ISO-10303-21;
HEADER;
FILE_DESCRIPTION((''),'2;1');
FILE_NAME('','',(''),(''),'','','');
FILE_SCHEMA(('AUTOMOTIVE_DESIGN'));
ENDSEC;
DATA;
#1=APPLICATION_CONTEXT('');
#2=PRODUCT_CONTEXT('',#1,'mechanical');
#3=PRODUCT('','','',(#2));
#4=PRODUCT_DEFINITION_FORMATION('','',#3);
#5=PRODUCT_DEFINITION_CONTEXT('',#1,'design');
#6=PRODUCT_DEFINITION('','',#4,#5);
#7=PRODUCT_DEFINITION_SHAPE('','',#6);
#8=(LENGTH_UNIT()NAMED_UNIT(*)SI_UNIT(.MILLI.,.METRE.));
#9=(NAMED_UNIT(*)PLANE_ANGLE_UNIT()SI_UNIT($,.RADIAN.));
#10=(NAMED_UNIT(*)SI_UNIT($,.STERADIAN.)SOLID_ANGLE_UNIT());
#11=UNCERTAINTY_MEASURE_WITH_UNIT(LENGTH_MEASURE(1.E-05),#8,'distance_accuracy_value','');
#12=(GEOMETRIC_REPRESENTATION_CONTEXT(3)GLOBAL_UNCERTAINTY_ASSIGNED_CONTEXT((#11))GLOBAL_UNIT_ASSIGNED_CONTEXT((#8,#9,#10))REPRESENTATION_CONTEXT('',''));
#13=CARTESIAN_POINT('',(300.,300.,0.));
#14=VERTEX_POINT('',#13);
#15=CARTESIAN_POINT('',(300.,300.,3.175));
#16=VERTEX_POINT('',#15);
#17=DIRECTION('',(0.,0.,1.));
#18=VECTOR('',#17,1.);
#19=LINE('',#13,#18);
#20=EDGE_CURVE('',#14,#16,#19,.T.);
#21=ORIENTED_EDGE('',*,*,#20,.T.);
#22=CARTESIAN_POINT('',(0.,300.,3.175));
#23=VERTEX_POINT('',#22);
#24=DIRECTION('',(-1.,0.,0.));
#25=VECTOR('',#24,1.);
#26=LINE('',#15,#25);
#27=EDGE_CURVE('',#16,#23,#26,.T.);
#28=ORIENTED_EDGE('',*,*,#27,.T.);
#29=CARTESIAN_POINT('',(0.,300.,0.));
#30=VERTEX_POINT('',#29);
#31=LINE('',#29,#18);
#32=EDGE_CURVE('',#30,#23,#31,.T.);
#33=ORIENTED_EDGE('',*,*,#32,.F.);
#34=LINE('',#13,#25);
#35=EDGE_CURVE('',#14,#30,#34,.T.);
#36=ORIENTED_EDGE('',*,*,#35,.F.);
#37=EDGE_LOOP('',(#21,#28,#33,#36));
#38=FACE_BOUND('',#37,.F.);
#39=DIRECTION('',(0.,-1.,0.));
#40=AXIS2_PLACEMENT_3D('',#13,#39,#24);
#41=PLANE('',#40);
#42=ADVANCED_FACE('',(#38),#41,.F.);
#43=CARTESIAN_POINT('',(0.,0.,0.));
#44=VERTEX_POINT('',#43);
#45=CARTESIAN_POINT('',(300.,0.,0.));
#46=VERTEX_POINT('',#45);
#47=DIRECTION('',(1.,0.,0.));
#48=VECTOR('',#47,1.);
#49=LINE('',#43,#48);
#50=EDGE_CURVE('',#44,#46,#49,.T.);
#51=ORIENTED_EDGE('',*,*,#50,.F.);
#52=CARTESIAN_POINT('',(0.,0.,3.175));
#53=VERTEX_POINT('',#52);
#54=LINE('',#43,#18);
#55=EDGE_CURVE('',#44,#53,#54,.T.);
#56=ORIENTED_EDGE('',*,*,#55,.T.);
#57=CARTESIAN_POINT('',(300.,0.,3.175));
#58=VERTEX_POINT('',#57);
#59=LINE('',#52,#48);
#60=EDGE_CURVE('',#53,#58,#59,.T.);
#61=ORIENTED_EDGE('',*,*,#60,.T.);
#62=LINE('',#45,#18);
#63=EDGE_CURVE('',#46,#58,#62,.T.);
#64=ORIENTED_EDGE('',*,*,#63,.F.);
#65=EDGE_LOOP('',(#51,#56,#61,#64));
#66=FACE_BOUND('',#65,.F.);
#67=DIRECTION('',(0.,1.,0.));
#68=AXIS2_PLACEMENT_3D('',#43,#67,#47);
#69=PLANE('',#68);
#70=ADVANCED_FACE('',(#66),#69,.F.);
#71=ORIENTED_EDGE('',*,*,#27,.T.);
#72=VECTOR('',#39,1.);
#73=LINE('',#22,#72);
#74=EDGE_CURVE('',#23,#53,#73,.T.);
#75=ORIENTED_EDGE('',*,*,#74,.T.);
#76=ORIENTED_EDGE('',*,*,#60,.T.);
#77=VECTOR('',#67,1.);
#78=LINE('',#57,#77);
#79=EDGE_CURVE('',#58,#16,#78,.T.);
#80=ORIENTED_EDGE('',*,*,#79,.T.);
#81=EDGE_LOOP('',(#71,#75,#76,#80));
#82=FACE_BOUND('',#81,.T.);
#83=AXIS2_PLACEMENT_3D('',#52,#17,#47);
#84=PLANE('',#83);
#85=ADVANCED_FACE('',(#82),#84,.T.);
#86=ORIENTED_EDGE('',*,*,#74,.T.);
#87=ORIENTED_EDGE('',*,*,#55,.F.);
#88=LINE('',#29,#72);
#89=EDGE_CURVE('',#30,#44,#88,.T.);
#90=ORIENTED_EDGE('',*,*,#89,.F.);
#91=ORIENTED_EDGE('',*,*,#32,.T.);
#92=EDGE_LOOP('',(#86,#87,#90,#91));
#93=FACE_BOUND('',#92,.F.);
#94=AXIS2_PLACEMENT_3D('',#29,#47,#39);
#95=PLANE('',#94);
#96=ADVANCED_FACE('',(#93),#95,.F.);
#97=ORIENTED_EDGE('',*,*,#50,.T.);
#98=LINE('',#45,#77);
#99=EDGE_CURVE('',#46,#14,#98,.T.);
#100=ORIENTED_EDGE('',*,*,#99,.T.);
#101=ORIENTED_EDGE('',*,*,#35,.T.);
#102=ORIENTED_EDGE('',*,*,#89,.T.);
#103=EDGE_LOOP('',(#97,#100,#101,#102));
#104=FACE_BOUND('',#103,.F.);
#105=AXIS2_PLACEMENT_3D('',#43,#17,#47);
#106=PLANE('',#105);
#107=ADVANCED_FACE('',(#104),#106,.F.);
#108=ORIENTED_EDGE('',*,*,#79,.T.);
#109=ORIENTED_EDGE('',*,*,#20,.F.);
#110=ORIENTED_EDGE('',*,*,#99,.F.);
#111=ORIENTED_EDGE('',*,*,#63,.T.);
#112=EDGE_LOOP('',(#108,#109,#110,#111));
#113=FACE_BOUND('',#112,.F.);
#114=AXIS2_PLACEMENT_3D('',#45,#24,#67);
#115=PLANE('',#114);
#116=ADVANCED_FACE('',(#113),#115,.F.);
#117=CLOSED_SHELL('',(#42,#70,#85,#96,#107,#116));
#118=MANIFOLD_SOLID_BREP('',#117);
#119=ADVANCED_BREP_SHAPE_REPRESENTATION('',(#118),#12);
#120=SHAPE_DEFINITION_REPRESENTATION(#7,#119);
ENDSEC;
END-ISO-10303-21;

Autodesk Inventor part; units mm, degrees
ref_plane "YZ Plane" through (0, 0, 0) normal (1, 0, 0) x (0, 1, 0)
ref_plane "XZ Plane" through (0, 0, 0) normal (0, 1, 0) x (-1, 0, 0)
ref_plane "XY Plane" through (0, 0, 0) normal (0, 0, 1) x (1, 0, 0)
sketch "Sketch1" plane through (0, 0, 0) normal (0, 0, 1) x (1, 0, 0)
  line L0 (0, 0) -> (300, 0)
  line L1 (300, 0) -> (300, 300)
  line L2 (300, 300) -> (0, 300)
  line L3 (0, 300) -> (0, 0)
  dimension "d0" = 300
  dimension "d1" = 300
extrude "Plate1" add sketch "Sketch1" along normal blind 3.175
equation "\"d2\" = Thickness"
equation "\"BendRadius\" = Thickness"
equation "\"BendReliefWidth\" = Thickness"
equation "\"BendReliefDepth\" = 0.5 * Thickness"
equation "\"CornerReliefSize\" = 4 * Thickness"
equation "\"MinimumRemnant\" = 2 * Thickness"
equation "\"TransitionRadius\" = BendRadius"
equation "\"JacobiRadiusSize\" = BendRadius"
equation "\"GapSize\" = Thickness"
equation "\"Thickness\" = 3.175"
properties part number "Bed"
